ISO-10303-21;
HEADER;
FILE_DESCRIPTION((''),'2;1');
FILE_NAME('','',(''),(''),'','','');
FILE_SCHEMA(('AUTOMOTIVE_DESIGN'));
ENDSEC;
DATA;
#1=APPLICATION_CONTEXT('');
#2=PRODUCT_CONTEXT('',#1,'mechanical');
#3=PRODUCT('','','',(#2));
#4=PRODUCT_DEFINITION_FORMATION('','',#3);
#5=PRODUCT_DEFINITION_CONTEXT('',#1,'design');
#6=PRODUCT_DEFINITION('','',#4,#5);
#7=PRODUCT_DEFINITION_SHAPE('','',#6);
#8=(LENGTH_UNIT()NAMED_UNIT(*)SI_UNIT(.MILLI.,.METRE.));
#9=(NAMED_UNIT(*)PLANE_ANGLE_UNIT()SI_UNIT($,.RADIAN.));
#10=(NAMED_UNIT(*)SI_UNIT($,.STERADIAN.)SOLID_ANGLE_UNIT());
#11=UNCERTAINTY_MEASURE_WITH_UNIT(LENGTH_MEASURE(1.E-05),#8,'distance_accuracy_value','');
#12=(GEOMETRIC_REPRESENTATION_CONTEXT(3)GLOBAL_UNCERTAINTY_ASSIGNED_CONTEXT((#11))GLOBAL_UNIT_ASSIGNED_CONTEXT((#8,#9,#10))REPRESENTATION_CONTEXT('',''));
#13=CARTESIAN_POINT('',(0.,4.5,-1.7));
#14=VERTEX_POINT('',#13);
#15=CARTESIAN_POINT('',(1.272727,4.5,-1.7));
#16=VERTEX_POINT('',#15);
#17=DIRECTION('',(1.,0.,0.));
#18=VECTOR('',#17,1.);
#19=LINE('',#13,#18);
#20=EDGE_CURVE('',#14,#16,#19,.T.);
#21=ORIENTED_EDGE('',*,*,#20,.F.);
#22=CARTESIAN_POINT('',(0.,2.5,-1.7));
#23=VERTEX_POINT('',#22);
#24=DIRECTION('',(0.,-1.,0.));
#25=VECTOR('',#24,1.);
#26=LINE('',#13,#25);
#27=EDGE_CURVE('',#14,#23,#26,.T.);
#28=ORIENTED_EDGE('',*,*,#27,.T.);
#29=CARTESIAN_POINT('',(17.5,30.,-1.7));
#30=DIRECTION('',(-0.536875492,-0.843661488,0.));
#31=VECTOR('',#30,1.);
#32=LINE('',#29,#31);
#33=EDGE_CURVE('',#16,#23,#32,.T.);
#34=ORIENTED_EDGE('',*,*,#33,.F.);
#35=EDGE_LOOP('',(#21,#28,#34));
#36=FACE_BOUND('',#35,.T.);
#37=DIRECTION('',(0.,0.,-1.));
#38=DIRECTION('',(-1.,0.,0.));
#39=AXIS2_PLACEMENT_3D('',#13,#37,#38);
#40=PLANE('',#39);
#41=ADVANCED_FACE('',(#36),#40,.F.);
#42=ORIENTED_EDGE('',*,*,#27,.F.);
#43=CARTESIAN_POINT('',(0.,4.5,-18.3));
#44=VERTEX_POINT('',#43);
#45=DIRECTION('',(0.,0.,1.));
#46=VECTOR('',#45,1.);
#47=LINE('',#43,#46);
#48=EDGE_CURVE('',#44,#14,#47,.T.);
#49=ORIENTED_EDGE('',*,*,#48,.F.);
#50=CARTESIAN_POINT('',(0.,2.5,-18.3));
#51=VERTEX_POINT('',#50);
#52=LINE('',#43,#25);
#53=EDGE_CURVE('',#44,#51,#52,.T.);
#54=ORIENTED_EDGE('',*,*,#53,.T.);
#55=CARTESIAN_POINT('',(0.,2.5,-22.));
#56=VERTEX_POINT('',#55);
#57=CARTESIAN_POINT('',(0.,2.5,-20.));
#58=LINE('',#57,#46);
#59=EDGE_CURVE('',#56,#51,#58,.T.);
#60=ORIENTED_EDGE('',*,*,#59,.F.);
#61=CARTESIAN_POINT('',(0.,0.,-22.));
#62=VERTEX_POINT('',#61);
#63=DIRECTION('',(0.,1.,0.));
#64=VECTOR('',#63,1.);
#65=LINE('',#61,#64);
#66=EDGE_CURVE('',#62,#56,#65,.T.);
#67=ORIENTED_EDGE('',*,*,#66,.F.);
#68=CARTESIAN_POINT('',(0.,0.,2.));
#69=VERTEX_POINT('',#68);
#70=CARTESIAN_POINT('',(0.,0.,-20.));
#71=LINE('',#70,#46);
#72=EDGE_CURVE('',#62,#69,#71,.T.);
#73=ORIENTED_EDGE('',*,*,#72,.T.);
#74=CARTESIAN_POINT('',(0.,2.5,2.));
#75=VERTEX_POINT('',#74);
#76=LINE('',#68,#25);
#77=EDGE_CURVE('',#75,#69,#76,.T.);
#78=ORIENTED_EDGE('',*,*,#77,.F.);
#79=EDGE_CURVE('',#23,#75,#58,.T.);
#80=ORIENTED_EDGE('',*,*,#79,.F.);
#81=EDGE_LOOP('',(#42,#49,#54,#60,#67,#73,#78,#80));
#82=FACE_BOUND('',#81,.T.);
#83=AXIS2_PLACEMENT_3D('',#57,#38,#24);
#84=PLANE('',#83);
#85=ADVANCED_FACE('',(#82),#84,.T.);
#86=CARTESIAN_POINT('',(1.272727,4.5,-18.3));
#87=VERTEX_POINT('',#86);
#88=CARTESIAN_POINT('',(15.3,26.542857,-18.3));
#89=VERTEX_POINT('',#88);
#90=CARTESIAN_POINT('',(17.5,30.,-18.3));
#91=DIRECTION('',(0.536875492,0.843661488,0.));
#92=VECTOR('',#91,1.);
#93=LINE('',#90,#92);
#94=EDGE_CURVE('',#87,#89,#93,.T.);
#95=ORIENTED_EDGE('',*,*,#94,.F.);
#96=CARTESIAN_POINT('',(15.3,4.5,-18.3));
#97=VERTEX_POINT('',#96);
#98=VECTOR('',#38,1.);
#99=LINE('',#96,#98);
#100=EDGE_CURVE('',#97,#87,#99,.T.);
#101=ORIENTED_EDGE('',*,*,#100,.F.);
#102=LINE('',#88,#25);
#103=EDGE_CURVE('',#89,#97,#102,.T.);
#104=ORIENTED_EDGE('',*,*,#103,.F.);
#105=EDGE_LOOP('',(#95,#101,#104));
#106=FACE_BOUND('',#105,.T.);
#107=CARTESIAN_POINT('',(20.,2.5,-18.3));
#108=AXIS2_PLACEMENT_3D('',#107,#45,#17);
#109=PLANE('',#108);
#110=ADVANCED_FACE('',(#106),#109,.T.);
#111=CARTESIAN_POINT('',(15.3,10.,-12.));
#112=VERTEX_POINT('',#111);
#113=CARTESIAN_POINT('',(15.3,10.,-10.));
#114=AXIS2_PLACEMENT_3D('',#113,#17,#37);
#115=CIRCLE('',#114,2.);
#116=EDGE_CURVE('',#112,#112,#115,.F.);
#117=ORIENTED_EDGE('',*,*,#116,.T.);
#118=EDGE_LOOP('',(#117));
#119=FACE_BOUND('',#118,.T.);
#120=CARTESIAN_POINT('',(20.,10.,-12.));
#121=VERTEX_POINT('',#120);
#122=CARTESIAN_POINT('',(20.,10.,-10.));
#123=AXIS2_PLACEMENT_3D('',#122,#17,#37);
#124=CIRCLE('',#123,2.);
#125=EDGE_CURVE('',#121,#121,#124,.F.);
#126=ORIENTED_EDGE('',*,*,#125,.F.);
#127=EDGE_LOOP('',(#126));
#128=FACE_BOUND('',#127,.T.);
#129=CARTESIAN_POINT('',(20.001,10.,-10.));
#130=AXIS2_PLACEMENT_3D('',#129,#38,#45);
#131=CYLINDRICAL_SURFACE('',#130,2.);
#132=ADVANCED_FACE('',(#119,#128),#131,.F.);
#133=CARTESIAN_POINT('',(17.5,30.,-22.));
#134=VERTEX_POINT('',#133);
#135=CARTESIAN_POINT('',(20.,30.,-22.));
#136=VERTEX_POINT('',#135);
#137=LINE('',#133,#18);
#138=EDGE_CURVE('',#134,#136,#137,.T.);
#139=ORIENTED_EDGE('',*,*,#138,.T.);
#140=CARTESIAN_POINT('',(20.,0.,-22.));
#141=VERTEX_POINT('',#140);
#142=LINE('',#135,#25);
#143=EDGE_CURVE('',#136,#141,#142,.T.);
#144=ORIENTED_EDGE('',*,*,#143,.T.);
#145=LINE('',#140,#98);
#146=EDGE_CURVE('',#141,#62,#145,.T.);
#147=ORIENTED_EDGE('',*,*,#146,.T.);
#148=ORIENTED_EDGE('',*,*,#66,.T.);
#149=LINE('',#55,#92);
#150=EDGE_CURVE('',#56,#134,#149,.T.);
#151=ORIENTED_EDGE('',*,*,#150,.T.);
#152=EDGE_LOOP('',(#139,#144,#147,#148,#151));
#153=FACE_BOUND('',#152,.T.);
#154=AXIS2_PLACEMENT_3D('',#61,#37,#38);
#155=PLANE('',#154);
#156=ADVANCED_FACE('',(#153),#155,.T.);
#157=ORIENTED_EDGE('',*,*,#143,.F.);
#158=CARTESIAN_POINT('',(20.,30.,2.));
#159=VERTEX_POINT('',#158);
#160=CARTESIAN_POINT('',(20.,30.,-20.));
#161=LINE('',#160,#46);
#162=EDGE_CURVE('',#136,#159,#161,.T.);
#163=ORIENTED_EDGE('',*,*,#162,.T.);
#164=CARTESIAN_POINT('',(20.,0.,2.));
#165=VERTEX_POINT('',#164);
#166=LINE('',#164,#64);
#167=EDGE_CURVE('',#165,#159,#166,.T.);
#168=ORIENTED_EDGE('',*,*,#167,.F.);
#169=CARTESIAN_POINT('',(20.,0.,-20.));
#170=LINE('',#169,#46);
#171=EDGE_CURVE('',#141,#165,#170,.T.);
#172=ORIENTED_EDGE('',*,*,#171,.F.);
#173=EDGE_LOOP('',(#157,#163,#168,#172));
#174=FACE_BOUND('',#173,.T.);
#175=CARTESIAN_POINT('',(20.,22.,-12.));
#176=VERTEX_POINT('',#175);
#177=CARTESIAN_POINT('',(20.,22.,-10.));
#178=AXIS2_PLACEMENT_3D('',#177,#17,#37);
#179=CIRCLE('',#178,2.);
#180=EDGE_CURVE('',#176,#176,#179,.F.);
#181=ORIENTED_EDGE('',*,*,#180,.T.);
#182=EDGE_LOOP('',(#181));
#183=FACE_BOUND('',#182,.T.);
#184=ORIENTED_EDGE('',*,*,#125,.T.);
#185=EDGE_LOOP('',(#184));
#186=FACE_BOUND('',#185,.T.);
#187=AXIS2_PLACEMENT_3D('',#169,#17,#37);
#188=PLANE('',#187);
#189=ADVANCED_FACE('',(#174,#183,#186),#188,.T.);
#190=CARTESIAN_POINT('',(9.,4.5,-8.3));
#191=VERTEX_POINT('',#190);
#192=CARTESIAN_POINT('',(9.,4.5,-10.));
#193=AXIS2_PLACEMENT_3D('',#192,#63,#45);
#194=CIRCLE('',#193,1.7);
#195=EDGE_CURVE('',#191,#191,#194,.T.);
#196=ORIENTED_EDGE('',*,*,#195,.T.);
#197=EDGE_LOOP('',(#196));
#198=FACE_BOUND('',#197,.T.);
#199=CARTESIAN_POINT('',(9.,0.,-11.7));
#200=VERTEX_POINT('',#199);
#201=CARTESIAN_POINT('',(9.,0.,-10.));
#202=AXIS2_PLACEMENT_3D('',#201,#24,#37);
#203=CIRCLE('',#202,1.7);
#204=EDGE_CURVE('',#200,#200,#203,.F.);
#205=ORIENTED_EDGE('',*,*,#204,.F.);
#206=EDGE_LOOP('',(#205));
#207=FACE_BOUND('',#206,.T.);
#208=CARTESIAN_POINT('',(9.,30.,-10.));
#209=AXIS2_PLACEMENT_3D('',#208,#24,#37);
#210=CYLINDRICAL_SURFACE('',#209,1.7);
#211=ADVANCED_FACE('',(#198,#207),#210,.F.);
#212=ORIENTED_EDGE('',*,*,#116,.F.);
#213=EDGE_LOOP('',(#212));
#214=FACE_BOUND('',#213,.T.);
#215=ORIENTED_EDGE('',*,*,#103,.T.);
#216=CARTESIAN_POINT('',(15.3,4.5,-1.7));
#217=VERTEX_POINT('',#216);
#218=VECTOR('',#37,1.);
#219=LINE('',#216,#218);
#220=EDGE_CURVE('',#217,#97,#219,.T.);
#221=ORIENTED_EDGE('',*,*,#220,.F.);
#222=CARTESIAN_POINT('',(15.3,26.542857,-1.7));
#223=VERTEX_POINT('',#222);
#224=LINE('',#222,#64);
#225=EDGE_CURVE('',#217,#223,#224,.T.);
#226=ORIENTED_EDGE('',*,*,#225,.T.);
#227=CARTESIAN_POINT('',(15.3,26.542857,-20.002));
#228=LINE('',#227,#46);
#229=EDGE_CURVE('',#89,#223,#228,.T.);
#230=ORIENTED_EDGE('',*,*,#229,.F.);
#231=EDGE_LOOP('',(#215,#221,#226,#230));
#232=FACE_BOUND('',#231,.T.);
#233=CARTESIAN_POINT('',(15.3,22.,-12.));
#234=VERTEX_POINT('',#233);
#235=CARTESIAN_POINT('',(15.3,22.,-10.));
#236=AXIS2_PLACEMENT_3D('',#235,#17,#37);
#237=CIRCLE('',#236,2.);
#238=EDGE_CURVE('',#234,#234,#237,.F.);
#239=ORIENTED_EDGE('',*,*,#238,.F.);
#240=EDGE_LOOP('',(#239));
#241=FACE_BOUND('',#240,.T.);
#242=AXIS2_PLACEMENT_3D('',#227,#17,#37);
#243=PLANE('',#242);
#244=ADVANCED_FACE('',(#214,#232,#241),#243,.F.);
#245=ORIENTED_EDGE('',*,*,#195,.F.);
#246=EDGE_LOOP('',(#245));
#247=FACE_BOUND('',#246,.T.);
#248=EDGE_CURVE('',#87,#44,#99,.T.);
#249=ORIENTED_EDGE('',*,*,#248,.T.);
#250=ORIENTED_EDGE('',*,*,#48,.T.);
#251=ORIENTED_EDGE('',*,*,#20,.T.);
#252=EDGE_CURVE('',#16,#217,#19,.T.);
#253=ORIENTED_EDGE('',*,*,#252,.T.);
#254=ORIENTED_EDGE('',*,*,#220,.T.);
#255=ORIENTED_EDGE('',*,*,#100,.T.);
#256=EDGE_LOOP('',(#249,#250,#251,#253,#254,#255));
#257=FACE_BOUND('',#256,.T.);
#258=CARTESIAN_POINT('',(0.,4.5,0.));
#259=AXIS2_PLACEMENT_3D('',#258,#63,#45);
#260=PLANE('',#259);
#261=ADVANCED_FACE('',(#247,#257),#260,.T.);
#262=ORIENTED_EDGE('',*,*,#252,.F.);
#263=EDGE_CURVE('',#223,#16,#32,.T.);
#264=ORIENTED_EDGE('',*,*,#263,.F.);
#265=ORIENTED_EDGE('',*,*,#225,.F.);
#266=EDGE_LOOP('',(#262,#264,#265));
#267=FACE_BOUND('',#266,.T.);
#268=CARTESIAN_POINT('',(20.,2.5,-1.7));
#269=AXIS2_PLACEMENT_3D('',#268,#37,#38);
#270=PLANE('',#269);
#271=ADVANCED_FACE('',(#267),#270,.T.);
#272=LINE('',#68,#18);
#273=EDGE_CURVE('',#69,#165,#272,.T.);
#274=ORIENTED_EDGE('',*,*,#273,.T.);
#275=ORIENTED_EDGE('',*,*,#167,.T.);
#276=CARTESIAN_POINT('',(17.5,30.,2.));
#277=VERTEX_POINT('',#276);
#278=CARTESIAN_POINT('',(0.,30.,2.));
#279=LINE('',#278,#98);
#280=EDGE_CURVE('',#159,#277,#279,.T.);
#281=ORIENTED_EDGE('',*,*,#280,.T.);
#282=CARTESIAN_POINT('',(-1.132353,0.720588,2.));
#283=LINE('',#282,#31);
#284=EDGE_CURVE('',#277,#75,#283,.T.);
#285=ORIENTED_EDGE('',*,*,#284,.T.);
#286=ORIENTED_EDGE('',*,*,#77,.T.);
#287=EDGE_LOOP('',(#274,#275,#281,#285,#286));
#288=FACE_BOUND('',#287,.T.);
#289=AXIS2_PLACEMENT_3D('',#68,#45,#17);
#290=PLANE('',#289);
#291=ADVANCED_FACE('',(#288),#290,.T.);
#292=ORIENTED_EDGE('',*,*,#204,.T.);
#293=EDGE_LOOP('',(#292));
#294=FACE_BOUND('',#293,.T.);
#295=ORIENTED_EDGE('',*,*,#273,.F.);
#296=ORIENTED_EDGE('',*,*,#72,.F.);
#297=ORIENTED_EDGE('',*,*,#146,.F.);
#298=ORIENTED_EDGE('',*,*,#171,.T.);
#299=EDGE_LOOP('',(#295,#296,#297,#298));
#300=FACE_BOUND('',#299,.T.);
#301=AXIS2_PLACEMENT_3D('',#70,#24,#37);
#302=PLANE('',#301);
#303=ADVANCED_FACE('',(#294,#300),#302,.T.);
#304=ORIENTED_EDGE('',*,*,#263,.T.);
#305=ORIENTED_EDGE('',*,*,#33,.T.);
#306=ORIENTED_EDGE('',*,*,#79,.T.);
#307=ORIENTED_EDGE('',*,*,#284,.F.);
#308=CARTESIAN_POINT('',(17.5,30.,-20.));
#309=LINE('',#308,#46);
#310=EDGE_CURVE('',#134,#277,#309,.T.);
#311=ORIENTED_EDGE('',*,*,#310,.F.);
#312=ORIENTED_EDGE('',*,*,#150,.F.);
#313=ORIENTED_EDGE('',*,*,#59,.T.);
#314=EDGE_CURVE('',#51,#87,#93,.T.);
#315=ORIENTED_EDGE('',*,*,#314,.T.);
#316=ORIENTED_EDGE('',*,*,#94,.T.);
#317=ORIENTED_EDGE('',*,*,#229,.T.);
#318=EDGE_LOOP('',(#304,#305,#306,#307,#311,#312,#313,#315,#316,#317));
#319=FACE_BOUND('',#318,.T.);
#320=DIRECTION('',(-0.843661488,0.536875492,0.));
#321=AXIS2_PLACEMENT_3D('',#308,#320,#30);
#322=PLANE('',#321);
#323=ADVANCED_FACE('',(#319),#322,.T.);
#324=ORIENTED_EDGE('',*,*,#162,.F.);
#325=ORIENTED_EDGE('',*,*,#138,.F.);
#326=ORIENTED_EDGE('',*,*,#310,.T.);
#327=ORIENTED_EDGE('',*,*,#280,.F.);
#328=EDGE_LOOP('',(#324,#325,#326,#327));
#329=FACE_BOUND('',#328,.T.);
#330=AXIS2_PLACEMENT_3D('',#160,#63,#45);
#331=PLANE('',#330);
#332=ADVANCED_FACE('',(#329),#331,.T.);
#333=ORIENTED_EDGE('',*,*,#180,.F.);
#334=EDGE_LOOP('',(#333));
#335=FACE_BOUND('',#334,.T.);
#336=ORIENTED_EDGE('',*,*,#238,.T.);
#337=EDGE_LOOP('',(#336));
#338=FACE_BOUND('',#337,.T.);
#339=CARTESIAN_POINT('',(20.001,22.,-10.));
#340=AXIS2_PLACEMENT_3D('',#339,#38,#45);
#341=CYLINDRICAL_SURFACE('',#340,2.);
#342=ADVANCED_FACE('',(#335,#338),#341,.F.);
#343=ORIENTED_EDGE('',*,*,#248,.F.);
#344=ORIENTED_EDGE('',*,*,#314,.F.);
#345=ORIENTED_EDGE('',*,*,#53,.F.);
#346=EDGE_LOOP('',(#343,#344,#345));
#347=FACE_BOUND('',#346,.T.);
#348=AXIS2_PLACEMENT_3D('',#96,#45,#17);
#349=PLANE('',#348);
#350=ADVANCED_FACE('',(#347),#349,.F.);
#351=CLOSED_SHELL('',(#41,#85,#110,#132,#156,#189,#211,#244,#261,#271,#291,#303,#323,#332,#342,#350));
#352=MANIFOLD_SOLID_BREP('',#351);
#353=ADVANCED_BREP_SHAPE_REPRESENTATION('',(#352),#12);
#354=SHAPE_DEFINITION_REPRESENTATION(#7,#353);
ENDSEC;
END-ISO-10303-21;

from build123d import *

# Parameters (mm, degrees)
EXTRUDE_1_DEPTH          = 20
CUT_EXTRUDE_START        = 30
SKETCH_2_W               = 17.5
SKETCH_2_H               = 16.6
CUT_EXTRUDE_1_DEPTH      = 27.5
CUT_EXTRUDE_START_2      = 17.5
SKETCH_3_R               = 2
CUT_EXTRUDE_2_DEPTH      = 2.5
EXTRUDE_3_REACH          = 42.434
CUT_EXTRUDE_4_DEPTH      = 42.231056256
CUT_EXTRUDE_4_DEPTH_BACK = 2
SKETCH_3_2_R             = 2
CUT_EXTRUDE_6_DEPTH      = 42.231056256
CUT_EXTRUDE_6_DEPTH_BACK = 9
SKETCH_4_R               = 1.7
SKETCH_7_W               = 15.3
SKETCH_7_H               = 16.6
SKETCH_7_R               = 1.7
EXTRUDE_4_DEPTH          = 2
EXTRUDE_5_DEPTH          = 2
EXTRUDE_START            = -20
EXTRUDE_6_DEPTH          = 2


with BuildPart() as part:
    # 草图1 → 凸台-拉伸1 (new body)
    with BuildSketch(Plane.XY):
        Polygon((0, 0), (20, 0), (20, 30), (17.5, 30), (0, 2.5), align=None)
    extrude(amount=-EXTRUDE_1_DEPTH)

    # 草图2 → 切除-拉伸1 (cut)
    with BuildSketch(Plane(origin=(0, 0, 0), x_dir=(1, 0, 0), z_dir=(0, 1, 0)).offset(CUT_EXTRUDE_START)):
        with Locations((8.75, 10)):
            Rectangle(SKETCH_2_W, SKETCH_2_H)
    extrude(amount=-CUT_EXTRUDE_1_DEPTH, mode=Mode.SUBTRACT)

    # 草图3 → 切除-拉伸2 (cut)
    with BuildSketch(Plane(origin=(0, 0, 0), x_dir=(0, 0, -1), z_dir=(1, 0, 0)).offset(CUT_EXTRUDE_START_2)):
        with Locations(Location((10, 22, 0), (0, 0, 180))):
            Circle(SKETCH_3_R)
        with Locations(Location((10, 10, 0), (0, 0, 180))):
            Circle(SKETCH_3_R)
    extrude(amount=CUT_EXTRUDE_2_DEPTH, mode=Mode.SUBTRACT)

    # 草图6 → 凸台-拉伸3 (add, up to next)
    with BuildSketch(Plane(origin=(0, 0, -1.7), x_dir=(-1, 0, 0), z_dir=(0, 0, -1)), mode=Mode.PRIVATE) as extrude_3_sk1:
        Polygon((-15.3, 26.542857143), (-15.3, 2.5), (-17.5, 2.5), (-17.5, 30), align=None)
    extrude_3_tool1 = extrude(extrude_3_sk1.sketch, amount=EXTRUDE_3_REACH, mode=Mode.PRIVATE) - part.part
    add(extrude_3_tool1.solids().sort_by_distance((16.424593, 15.405038, -1.7))[0])

    # 草图3<2> → 切除-拉伸4 (cut, two sides: drawn at the far end of the back side and taken through both)
    with BuildSketch(Plane(origin=(0, 0, 0), x_dir=(0, 0, -1), z_dir=(1, 0, 0)).offset(-CUT_EXTRUDE_4_DEPTH_BACK)):
        with Locations((10, 22)):
            Circle(SKETCH_3_2_R)
        with Locations((10, 10)):
            Circle(SKETCH_3_2_R)
    extrude(amount=CUT_EXTRUDE_4_DEPTH + CUT_EXTRUDE_4_DEPTH_BACK, mode=Mode.SUBTRACT)

    # 草图4 → 切除-拉伸6 (cut, two sides: drawn at the far end of the back side and taken through both)
    with BuildSketch(Plane(origin=(0, 0, 0), x_dir=(1, 0, 0), z_dir=(0, 1, 0)).offset(-CUT_EXTRUDE_6_DEPTH_BACK)):
        with Locations(Location((9, 10, 0), (0, 0, 90))):
            Circle(SKETCH_4_R)
    extrude(amount=CUT_EXTRUDE_6_DEPTH + CUT_EXTRUDE_6_DEPTH_BACK, mode=Mode.SUBTRACT)

    # 草图7 → 凸台-拉伸4 (add)
    with BuildSketch(Plane(origin=(0, 2.5, 0), x_dir=(1, 0, 0), z_dir=(0, 1, 0))):
        with Locations((7.65, 10)):
            Rectangle(SKETCH_7_W, SKETCH_7_H)
        with Locations(Location((9, 10, 0), (0, 0, 90))):
            Circle(SKETCH_7_R, mode=Mode.SUBTRACT)
    extrude(amount=EXTRUDE_4_DEPTH)

    # 草图8 → 凸台-拉伸5 (add)
    with BuildSketch(Plane(origin=(0, 0, -20), x_dir=(-1, 0, 0), z_dir=(0, 0, -1))):
        Polygon((0, 0), (0, 2.5), (-17.5, 30), (-20, 30), (-20, 0), align=None)
    extrude(amount=EXTRUDE_5_DEPTH)

    # 草图8<2> → 凸台-拉伸6 (add)
    with BuildSketch(Plane(origin=(0, 0, -20), x_dir=(-1, 0, 0), z_dir=(0, 0, -1)).offset(EXTRUDE_START)):
        Polygon((0, 0), (0, 2.5), (-17.5, 30), (-20, 30), (-20, 0), align=None)
    extrude(amount=-EXTRUDE_6_DEPTH)


solid = part.part
